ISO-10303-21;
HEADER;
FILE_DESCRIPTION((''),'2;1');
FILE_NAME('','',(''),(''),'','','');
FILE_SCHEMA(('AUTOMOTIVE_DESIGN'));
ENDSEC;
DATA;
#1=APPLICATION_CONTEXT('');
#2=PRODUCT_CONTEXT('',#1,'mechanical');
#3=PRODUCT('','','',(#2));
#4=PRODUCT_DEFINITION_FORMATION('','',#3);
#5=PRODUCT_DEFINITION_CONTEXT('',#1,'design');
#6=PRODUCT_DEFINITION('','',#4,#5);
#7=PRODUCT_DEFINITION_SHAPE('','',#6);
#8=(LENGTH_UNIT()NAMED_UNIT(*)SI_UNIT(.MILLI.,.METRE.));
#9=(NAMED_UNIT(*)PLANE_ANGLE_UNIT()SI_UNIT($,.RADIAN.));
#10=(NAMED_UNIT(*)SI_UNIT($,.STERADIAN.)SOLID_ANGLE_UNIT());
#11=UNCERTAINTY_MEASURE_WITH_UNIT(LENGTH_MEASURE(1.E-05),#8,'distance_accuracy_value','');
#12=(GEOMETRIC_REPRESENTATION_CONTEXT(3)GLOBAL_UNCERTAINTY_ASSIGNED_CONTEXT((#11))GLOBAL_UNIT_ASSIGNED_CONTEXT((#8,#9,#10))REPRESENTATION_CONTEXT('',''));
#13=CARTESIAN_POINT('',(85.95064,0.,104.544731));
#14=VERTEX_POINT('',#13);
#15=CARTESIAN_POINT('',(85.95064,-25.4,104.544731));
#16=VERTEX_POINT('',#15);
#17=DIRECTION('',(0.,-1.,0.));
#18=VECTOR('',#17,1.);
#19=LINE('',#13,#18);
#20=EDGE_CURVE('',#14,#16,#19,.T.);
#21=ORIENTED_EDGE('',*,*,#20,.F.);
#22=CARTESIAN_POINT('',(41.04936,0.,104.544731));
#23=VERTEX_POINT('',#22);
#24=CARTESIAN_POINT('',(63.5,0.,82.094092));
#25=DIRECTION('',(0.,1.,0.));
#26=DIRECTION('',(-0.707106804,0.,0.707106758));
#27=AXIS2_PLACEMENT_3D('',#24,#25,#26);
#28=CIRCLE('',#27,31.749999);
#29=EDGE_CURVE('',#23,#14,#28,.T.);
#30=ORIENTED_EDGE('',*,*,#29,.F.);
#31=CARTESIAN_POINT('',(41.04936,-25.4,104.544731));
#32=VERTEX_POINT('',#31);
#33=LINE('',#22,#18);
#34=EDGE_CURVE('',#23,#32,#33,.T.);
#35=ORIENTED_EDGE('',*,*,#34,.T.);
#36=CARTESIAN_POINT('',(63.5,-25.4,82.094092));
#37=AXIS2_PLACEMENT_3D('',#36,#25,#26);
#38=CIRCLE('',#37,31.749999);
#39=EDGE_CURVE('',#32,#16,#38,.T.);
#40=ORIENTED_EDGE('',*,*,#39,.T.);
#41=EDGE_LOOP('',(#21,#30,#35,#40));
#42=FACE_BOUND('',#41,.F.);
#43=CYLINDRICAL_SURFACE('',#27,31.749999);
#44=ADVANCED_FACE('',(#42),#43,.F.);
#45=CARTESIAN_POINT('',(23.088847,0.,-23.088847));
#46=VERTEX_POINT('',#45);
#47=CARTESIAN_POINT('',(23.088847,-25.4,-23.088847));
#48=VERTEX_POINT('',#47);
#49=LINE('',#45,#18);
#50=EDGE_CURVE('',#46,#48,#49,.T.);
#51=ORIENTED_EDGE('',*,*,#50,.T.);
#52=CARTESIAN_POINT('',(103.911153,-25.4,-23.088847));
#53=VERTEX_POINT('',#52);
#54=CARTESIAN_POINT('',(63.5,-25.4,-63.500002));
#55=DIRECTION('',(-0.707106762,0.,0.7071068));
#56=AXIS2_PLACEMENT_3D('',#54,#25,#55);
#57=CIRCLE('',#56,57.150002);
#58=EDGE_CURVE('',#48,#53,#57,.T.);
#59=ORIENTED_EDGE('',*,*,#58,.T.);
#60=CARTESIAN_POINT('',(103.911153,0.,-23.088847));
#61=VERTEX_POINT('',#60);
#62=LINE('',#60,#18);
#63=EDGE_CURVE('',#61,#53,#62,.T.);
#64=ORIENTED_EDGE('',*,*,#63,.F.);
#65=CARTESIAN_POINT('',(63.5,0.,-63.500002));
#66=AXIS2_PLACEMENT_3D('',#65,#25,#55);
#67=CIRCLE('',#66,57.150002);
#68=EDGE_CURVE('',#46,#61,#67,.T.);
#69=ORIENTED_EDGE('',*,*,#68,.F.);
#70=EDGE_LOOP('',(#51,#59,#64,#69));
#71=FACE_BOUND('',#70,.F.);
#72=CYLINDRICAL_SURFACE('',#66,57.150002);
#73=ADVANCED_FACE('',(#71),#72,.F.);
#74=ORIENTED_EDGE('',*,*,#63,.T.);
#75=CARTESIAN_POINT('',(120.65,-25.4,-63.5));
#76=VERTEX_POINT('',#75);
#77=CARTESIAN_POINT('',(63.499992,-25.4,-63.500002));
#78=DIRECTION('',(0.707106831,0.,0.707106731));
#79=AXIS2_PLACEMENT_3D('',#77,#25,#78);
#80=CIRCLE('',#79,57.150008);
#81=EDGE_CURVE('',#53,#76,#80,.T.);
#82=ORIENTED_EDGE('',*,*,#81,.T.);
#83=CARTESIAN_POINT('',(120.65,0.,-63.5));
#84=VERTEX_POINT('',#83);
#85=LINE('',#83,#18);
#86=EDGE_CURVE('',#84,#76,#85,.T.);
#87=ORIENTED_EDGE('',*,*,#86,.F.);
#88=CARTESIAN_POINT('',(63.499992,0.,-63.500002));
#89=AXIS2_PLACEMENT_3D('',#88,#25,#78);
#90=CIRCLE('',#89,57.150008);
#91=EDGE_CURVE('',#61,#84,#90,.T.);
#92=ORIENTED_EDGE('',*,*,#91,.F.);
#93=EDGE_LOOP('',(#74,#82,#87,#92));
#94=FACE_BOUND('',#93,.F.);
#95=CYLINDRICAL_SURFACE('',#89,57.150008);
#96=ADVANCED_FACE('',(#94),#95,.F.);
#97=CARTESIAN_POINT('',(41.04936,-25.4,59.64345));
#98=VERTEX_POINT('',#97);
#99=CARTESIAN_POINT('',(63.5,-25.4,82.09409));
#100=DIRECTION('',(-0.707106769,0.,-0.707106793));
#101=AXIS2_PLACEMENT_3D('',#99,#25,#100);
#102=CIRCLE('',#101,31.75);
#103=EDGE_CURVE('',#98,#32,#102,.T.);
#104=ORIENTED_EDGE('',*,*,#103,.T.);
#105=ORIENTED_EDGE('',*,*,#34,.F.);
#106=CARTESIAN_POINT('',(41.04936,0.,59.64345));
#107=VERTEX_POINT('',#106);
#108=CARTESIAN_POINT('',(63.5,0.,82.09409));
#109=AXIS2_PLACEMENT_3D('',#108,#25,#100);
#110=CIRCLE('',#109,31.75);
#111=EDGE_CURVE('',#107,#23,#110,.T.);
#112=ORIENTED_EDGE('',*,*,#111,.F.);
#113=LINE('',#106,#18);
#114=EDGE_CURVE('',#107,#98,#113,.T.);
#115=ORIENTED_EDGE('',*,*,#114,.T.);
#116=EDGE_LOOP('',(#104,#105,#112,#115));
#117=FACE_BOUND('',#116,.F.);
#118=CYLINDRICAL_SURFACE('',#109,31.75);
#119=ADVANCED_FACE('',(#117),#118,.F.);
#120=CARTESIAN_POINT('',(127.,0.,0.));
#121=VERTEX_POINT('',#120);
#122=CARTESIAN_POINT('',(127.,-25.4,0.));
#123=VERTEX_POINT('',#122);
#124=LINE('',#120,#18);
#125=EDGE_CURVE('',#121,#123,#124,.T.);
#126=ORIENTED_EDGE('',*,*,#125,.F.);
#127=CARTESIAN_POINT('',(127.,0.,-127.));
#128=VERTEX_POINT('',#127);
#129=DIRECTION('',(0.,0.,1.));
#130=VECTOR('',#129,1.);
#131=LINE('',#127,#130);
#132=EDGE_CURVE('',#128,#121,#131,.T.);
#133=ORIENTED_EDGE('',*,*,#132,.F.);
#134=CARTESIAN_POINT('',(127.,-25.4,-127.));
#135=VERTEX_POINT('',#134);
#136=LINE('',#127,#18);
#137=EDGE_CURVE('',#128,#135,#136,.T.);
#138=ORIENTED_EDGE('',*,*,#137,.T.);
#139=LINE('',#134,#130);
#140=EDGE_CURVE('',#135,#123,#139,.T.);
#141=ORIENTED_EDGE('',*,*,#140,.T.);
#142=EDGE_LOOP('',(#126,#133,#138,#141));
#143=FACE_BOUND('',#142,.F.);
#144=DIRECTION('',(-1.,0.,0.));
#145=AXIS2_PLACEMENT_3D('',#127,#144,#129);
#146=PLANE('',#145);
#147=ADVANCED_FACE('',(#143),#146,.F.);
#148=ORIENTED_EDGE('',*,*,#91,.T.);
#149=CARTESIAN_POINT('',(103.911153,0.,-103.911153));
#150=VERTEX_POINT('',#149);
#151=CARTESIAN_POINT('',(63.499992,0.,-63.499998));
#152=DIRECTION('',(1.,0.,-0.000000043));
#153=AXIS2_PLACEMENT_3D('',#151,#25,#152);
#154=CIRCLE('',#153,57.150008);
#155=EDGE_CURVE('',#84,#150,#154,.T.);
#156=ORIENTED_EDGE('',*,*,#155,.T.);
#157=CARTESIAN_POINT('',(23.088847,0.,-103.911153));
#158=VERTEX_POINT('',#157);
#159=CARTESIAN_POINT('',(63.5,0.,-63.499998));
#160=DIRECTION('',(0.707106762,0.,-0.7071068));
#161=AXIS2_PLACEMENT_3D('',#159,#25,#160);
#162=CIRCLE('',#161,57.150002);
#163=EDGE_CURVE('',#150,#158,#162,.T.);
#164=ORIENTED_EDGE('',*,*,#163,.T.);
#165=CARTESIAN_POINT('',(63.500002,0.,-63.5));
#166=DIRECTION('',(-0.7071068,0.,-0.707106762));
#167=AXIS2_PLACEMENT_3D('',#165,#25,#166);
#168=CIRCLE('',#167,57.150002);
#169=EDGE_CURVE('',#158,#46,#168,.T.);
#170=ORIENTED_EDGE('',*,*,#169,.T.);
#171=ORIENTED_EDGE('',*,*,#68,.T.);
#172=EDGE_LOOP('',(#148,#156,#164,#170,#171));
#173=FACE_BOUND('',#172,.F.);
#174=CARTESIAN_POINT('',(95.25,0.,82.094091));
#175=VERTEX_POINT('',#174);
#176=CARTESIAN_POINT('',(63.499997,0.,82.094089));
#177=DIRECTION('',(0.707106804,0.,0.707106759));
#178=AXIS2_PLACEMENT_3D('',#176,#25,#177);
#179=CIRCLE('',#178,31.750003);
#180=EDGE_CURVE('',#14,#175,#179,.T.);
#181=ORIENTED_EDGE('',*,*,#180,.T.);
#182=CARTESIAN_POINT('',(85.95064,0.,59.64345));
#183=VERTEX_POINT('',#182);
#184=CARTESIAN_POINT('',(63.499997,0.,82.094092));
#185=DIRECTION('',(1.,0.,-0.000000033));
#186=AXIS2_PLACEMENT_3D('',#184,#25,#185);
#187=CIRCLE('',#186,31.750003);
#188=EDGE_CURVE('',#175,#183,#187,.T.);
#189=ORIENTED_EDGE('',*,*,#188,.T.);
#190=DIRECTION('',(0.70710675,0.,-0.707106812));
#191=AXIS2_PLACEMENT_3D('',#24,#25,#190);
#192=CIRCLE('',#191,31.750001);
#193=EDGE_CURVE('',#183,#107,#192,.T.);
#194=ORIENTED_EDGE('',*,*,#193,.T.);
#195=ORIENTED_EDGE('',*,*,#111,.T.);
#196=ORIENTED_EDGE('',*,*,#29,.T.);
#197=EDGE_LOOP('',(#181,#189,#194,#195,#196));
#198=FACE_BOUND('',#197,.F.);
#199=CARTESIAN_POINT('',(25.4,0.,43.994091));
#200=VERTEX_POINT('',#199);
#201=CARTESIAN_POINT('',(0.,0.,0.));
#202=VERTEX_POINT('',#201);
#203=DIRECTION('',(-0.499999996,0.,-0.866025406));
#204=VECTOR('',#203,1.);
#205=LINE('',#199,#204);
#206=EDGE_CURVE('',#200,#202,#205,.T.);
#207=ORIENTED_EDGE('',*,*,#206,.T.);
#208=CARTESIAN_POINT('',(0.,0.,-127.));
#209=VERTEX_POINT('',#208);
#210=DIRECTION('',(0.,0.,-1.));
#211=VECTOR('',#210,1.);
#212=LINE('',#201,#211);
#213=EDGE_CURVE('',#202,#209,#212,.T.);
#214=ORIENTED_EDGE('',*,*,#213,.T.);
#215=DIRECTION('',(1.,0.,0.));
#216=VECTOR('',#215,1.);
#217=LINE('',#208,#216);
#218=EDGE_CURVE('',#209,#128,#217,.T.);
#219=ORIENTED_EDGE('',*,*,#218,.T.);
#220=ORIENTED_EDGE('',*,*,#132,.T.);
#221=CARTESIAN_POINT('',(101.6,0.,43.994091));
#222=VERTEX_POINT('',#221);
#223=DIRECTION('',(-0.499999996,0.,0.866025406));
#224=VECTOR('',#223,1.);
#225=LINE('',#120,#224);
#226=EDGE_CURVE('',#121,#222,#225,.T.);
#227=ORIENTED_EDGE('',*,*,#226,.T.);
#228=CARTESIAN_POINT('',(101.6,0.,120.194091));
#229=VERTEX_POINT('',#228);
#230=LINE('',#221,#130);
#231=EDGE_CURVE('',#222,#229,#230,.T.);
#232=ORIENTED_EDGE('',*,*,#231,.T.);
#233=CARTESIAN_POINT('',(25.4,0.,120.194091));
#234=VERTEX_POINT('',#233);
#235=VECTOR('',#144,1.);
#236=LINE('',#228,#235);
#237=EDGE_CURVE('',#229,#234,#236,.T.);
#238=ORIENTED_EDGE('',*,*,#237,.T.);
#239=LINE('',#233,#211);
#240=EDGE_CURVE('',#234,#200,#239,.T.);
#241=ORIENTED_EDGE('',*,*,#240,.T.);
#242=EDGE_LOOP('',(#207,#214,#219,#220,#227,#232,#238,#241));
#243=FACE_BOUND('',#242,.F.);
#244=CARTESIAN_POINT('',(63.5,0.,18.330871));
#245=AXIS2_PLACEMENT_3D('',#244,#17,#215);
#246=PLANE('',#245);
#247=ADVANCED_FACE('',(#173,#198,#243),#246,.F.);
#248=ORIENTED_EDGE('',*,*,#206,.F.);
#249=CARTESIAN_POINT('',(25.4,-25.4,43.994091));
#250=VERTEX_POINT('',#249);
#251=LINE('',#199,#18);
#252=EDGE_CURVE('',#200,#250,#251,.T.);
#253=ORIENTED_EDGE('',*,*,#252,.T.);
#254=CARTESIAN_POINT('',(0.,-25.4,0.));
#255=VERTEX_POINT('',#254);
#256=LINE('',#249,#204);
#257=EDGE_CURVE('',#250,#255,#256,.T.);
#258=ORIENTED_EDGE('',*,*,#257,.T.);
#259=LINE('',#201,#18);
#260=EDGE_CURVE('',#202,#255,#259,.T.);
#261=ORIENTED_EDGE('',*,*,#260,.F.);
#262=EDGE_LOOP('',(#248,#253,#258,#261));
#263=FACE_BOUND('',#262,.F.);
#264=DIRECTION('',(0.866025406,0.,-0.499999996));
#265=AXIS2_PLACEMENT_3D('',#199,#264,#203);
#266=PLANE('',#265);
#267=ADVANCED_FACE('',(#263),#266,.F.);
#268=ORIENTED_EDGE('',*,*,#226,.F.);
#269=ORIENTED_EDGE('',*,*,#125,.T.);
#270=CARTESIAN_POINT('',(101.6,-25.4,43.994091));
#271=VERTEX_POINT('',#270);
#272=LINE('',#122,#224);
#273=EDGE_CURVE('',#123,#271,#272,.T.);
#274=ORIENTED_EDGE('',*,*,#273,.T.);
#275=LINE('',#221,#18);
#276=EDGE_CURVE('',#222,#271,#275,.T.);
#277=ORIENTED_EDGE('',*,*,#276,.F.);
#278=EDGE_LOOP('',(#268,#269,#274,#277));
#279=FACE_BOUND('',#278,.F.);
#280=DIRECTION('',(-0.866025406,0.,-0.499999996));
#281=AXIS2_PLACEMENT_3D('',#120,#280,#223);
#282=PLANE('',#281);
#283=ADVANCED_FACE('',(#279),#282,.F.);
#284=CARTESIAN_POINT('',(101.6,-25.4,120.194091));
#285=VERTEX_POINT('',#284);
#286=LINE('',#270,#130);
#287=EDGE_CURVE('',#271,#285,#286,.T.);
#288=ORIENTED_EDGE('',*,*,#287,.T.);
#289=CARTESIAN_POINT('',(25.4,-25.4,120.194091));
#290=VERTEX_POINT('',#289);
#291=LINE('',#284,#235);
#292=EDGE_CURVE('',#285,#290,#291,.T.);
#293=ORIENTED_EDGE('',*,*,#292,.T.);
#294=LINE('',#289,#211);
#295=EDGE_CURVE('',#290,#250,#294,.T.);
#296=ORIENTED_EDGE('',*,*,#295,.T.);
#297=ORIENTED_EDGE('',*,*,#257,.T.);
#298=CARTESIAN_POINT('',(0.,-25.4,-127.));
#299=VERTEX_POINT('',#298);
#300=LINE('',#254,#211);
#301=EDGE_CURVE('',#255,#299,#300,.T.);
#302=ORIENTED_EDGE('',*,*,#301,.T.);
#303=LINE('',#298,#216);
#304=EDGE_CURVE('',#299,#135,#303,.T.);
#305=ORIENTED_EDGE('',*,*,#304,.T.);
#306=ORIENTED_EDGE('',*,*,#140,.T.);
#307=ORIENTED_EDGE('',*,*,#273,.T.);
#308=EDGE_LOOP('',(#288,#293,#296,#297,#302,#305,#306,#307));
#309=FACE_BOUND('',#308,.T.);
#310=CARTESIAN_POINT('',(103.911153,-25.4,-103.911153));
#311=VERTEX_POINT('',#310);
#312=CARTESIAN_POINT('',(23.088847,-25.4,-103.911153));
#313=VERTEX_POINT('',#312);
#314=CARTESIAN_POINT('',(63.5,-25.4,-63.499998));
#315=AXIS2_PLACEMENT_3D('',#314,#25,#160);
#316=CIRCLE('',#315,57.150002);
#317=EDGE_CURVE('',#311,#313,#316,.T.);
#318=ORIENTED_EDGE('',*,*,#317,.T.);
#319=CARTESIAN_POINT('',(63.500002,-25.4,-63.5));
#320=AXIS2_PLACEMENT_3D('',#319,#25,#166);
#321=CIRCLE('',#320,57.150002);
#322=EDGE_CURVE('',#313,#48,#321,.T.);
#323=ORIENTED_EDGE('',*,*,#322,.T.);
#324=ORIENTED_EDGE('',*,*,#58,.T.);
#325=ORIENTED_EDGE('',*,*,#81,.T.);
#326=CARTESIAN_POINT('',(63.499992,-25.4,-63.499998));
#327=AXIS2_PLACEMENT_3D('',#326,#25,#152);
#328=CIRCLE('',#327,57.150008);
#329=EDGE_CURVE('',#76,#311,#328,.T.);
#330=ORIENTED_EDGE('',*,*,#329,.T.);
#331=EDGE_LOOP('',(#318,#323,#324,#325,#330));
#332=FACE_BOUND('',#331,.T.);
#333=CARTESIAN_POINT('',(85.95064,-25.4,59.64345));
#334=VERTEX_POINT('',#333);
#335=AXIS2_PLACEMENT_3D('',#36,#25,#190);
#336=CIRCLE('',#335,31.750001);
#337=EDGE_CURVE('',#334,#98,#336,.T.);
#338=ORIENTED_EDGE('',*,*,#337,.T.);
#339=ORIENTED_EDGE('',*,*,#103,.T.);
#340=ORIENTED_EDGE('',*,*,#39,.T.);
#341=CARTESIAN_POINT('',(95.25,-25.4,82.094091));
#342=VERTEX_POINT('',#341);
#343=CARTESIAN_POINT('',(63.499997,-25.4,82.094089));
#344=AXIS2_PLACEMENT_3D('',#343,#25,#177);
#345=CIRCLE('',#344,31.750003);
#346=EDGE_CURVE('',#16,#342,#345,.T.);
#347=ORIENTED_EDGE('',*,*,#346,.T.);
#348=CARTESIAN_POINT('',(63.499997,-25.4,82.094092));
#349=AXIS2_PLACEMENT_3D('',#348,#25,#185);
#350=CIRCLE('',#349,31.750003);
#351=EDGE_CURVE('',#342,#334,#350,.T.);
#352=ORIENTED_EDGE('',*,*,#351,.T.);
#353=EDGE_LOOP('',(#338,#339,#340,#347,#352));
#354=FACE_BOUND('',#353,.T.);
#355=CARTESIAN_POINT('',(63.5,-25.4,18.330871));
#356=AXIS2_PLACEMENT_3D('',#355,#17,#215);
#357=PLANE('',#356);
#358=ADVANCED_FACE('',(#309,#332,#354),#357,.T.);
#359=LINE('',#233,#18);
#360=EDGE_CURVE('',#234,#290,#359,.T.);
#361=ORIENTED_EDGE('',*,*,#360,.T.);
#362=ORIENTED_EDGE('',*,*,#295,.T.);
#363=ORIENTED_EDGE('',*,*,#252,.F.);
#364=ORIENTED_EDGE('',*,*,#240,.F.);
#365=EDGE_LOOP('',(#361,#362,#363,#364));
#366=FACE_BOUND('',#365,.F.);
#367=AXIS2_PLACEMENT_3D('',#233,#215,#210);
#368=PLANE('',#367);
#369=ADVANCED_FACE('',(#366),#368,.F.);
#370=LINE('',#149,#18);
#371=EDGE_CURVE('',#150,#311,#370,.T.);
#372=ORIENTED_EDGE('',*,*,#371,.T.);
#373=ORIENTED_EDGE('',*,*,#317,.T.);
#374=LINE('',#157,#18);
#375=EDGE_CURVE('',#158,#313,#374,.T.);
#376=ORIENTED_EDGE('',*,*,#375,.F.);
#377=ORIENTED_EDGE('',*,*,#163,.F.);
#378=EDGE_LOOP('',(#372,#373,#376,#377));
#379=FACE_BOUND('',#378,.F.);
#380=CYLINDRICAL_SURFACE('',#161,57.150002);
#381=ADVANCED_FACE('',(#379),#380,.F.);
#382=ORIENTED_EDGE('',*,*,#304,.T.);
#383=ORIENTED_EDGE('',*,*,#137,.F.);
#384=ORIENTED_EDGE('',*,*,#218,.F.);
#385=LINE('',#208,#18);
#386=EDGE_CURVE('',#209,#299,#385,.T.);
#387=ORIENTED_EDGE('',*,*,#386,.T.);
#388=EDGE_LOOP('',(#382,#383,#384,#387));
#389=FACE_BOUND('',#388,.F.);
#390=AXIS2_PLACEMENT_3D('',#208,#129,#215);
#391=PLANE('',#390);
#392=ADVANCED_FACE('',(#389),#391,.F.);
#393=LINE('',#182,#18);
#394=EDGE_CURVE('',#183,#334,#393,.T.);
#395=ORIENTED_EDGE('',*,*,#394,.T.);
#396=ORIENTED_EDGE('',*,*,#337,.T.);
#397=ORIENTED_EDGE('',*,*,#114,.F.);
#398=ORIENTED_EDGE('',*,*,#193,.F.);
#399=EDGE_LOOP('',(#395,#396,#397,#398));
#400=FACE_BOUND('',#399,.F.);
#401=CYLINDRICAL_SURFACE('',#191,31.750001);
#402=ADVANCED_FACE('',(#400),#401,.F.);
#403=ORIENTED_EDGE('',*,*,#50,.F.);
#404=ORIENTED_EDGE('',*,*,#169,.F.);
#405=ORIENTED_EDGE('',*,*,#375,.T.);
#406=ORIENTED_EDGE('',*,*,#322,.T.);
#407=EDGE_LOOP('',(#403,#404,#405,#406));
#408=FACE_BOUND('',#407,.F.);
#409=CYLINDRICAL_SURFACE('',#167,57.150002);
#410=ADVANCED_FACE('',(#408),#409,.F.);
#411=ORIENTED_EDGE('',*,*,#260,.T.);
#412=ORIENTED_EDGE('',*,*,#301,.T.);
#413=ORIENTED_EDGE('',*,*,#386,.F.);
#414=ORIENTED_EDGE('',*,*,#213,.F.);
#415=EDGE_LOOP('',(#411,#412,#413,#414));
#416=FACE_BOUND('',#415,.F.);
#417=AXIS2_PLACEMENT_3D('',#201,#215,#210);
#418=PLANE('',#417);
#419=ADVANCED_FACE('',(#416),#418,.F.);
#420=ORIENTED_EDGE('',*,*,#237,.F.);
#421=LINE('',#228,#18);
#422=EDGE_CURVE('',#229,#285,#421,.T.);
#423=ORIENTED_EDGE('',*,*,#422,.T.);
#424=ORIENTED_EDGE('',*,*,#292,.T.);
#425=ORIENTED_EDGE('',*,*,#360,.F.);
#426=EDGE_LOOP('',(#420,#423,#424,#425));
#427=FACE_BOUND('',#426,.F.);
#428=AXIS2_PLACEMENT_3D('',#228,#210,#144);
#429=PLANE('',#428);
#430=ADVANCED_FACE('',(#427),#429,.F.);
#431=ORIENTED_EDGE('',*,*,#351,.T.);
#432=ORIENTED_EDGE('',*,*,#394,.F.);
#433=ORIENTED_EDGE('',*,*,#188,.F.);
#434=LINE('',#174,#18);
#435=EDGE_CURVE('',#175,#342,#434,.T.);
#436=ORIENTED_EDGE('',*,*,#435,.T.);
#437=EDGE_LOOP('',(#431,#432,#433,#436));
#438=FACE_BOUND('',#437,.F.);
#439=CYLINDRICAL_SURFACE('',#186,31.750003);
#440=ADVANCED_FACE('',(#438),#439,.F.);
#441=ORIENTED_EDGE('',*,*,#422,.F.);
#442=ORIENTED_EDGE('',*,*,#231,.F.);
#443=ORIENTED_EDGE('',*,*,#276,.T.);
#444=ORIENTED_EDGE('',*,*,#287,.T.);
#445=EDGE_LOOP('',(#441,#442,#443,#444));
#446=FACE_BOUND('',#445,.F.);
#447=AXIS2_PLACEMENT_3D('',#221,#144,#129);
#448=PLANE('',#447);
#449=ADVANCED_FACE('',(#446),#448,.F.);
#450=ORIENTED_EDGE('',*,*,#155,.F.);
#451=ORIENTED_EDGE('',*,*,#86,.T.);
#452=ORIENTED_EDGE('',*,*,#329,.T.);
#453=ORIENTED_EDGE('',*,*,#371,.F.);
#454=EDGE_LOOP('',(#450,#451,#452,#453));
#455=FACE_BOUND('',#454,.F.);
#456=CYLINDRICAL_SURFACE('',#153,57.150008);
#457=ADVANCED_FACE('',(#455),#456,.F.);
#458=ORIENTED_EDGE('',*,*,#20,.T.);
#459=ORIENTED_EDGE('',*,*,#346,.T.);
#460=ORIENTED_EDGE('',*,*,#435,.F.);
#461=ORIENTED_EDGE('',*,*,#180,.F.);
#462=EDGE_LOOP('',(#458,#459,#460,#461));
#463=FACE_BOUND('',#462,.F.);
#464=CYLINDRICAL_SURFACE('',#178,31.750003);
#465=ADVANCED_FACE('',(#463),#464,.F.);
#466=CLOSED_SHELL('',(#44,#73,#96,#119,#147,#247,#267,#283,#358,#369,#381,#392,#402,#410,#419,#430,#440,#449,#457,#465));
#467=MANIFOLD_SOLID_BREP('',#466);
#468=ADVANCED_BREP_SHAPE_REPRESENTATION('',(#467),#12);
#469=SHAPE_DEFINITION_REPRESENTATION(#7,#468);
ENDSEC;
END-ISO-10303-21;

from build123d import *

# Parameters (mm, degrees)
F1_DEPTH = 25.4


with BuildPart() as f1:
    # F0 (on Front) → F1 (new body)
    with BuildSketch(Plane.XZ):
        Polygon((25.4, 43.994091), (0, 0), (127, 0), (101.6, 43.994091), align=None)
        with BuildLine():
            Line((23.088847, -103.911153), (0, -127))
            Line((0, -127), (127, -127))
            Line((127, -127), (103.911153, -103.911153))
            ThreePointArc((103.911153, -103.911153), (63.5, -120.65), (23.088847, -103.911153))
        make_face()
        with BuildLine():
            Line((23.088847, -23.088847), (0, 0))
            Line((0, 0), (0, -127))
            Line((0, -127), (23.088847, -103.911153))
            ThreePointArc((23.088847, -103.911153), (6.35, -63.5), (23.088847, -23.088847))
        make_face()
        with BuildLine():
            Line((127, -127), (127, 0))
            Line((127, 0), (103.911153, -23.088847))
            ThreePointArc((103.911153, -23.088847), (116.299715, -41.629642), (120.65, -63.5))
            ThreePointArc((120.65, -63.5), (116.299715, -85.370358), (103.911153, -103.911153))
            Line((103.911153, -103.911153), (127, -127))
        make_face()
        with BuildLine():
            Line((25.4, 120.194091), (25.4, 43.994091))
            Line((25.4, 43.994091), (41.04936, 59.64345))
            ThreePointArc((41.04936, 59.64345), (31.75, 82.094091), (41.04936, 104.544731))
            Line((41.04936, 104.544731), (25.4, 120.194091))
        make_face()
        with BuildLine():
            Line((85.95064, 59.64345), (101.6, 43.994091))
            Line((101.6, 43.994091), (101.6, 120.194091))
            Line((101.6, 120.194091), (85.95064, 104.544731))
            ThreePointArc((85.95064, 104.544731), (92.833175, 94.244289), (95.25, 82.094091))
            ThreePointArc((95.25, 82.094091), (92.833175, 69.943892), (85.95064, 59.64345))
        make_face()
        with BuildLine():
            Line((127, 0), (0, 0))
            Line((0, 0), (23.088847, -23.088847))
            ThreePointArc((23.088847, -23.088847), (63.5, -6.35), (103.911153, -23.088847))
            Line((103.911153, -23.088847), (127, 0))
        make_face()
        with BuildLine():
            Line((41.04936, 59.64345), (25.4, 43.994091))
            Line((25.4, 43.994091), (101.6, 43.994091))
            Line((101.6, 43.994091), (85.95064, 59.64345))
            ThreePointArc((85.95064, 59.64345), (63.5, 50.344091), (41.04936, 59.64345))
        make_face()
        with BuildLine():
            Line((101.6, 120.194091), (25.4, 120.194091))
            Line((25.4, 120.194091), (41.04936, 104.544731))
            ThreePointArc((41.04936, 104.544731), (63.5, 113.844091), (85.95064, 104.544731))
            Line((85.95064, 104.544731), (101.6, 120.194091))
        make_face()
    extrude(amount=F1_DEPTH)


solid = f1.part
